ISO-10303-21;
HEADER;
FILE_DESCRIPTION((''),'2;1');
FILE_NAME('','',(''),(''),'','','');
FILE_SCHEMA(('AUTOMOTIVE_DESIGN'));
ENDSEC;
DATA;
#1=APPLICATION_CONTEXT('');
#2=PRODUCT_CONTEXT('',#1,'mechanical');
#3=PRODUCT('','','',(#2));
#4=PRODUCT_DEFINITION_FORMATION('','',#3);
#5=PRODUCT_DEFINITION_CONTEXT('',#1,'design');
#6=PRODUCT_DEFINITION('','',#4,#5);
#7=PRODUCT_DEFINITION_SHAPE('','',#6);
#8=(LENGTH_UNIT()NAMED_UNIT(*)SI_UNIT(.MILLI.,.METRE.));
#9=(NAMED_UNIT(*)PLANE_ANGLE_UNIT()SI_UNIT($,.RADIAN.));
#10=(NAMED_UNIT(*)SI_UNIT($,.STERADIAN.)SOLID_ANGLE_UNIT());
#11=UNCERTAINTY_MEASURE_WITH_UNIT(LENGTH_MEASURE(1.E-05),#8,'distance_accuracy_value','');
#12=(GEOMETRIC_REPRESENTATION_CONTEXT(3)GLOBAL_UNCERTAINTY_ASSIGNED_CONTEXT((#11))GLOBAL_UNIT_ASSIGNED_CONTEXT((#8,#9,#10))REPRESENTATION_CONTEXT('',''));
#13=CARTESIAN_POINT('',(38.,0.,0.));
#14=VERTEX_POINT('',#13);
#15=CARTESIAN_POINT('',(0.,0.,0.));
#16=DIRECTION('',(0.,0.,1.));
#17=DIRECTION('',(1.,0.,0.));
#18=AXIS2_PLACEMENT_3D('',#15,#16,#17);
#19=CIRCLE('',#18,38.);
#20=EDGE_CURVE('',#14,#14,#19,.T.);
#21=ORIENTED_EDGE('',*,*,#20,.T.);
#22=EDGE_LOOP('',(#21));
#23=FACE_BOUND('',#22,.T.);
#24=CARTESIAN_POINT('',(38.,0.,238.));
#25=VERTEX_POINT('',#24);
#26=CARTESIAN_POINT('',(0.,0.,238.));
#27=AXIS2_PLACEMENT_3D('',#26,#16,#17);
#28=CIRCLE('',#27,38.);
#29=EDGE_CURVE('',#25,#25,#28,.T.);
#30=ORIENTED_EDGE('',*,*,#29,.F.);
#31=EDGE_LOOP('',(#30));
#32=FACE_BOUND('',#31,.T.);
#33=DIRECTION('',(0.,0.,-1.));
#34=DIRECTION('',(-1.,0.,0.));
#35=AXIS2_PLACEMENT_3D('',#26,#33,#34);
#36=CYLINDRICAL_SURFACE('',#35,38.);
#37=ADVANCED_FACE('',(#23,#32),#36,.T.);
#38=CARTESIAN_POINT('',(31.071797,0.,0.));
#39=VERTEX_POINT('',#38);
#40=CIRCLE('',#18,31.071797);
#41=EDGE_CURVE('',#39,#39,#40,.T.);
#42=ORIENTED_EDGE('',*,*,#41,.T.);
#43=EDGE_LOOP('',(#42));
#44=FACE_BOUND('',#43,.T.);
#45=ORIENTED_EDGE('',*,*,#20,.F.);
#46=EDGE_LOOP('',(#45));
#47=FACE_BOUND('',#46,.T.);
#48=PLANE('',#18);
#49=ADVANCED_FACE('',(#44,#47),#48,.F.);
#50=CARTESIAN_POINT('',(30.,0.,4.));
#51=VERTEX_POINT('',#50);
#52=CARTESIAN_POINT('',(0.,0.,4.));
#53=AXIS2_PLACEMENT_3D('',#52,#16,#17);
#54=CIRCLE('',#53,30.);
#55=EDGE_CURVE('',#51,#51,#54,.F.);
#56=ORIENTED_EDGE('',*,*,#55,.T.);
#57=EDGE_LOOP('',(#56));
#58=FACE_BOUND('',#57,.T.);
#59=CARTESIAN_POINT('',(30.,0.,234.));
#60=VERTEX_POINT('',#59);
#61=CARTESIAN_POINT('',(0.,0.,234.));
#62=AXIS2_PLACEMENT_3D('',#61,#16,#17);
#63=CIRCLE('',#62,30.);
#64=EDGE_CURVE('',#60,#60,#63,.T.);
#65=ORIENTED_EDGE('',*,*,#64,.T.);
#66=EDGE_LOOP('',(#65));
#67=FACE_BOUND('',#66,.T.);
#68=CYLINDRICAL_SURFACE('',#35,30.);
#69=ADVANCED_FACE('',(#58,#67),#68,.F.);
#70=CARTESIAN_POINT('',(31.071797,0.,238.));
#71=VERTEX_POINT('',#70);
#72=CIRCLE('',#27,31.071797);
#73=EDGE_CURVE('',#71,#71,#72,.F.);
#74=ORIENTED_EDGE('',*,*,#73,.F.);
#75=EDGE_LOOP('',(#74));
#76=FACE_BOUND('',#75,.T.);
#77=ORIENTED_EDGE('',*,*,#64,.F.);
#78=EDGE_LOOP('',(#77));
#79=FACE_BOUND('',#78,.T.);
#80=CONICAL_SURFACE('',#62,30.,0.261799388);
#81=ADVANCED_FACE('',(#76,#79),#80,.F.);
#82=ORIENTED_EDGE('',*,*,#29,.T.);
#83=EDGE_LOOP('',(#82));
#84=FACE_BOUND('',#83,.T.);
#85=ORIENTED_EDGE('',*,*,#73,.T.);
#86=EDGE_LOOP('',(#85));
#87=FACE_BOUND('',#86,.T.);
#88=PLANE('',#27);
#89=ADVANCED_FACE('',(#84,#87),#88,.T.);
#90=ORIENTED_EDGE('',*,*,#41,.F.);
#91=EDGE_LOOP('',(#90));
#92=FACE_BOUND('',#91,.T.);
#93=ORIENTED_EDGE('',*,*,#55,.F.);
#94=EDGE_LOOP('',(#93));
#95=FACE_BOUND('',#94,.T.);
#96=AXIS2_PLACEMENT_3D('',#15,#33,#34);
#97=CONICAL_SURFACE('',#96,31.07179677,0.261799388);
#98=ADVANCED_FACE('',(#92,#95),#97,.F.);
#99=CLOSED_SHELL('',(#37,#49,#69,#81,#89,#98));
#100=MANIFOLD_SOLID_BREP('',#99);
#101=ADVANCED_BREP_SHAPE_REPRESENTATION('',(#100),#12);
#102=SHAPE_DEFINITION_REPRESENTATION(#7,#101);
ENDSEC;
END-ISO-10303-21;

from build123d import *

# Parameters (mm, degrees)
SKETCH1_R           = 38
SKETCH1_R_2         = 30
BOSS_EXTRUDE1_DEPTH = 238
CHAMFER1_SIZE       = 4
CHAMFER1_SIZE2      = 1.07179677
CHAMFER2_SIZE       = 4
CHAMFER2_SIZE2      = 1.07179677


with BuildPart() as part:
    # Sketch1 → Boss-Extrude1 (new body)
    with BuildSketch(Plane.XY):
        Circle(SKETCH1_R)
        Circle(SKETCH1_R_2, mode=Mode.SUBTRACT)
    extrude(amount=BOSS_EXTRUDE1_DEPTH)

    # Chamfer1
    chamfer1_edges = [part.edges().sort_by_distance(p)[0] for p in [
        (-30, 0, 0),
    ]]
    chamfer1_side = [part.faces().sort_by_distance(p)[0] for p in [
        (-30, 0, 119),
    ]]
    chamfer(chamfer1_edges, length=CHAMFER1_SIZE, length2=CHAMFER1_SIZE2, reference=chamfer1_side[0])

    # Chamfer2
    chamfer2_edges = [part.edges().sort_by_distance(p)[0] for p in [
        (-30, 0, 238),
    ]]
    chamfer2_side = [part.faces().sort_by_distance(p)[0] for p in [
        (-30, 0, 121),
    ]]
    chamfer(chamfer2_edges, length=CHAMFER2_SIZE, length2=CHAMFER2_SIZE2, reference=chamfer2_side[0])


solid = part.part
